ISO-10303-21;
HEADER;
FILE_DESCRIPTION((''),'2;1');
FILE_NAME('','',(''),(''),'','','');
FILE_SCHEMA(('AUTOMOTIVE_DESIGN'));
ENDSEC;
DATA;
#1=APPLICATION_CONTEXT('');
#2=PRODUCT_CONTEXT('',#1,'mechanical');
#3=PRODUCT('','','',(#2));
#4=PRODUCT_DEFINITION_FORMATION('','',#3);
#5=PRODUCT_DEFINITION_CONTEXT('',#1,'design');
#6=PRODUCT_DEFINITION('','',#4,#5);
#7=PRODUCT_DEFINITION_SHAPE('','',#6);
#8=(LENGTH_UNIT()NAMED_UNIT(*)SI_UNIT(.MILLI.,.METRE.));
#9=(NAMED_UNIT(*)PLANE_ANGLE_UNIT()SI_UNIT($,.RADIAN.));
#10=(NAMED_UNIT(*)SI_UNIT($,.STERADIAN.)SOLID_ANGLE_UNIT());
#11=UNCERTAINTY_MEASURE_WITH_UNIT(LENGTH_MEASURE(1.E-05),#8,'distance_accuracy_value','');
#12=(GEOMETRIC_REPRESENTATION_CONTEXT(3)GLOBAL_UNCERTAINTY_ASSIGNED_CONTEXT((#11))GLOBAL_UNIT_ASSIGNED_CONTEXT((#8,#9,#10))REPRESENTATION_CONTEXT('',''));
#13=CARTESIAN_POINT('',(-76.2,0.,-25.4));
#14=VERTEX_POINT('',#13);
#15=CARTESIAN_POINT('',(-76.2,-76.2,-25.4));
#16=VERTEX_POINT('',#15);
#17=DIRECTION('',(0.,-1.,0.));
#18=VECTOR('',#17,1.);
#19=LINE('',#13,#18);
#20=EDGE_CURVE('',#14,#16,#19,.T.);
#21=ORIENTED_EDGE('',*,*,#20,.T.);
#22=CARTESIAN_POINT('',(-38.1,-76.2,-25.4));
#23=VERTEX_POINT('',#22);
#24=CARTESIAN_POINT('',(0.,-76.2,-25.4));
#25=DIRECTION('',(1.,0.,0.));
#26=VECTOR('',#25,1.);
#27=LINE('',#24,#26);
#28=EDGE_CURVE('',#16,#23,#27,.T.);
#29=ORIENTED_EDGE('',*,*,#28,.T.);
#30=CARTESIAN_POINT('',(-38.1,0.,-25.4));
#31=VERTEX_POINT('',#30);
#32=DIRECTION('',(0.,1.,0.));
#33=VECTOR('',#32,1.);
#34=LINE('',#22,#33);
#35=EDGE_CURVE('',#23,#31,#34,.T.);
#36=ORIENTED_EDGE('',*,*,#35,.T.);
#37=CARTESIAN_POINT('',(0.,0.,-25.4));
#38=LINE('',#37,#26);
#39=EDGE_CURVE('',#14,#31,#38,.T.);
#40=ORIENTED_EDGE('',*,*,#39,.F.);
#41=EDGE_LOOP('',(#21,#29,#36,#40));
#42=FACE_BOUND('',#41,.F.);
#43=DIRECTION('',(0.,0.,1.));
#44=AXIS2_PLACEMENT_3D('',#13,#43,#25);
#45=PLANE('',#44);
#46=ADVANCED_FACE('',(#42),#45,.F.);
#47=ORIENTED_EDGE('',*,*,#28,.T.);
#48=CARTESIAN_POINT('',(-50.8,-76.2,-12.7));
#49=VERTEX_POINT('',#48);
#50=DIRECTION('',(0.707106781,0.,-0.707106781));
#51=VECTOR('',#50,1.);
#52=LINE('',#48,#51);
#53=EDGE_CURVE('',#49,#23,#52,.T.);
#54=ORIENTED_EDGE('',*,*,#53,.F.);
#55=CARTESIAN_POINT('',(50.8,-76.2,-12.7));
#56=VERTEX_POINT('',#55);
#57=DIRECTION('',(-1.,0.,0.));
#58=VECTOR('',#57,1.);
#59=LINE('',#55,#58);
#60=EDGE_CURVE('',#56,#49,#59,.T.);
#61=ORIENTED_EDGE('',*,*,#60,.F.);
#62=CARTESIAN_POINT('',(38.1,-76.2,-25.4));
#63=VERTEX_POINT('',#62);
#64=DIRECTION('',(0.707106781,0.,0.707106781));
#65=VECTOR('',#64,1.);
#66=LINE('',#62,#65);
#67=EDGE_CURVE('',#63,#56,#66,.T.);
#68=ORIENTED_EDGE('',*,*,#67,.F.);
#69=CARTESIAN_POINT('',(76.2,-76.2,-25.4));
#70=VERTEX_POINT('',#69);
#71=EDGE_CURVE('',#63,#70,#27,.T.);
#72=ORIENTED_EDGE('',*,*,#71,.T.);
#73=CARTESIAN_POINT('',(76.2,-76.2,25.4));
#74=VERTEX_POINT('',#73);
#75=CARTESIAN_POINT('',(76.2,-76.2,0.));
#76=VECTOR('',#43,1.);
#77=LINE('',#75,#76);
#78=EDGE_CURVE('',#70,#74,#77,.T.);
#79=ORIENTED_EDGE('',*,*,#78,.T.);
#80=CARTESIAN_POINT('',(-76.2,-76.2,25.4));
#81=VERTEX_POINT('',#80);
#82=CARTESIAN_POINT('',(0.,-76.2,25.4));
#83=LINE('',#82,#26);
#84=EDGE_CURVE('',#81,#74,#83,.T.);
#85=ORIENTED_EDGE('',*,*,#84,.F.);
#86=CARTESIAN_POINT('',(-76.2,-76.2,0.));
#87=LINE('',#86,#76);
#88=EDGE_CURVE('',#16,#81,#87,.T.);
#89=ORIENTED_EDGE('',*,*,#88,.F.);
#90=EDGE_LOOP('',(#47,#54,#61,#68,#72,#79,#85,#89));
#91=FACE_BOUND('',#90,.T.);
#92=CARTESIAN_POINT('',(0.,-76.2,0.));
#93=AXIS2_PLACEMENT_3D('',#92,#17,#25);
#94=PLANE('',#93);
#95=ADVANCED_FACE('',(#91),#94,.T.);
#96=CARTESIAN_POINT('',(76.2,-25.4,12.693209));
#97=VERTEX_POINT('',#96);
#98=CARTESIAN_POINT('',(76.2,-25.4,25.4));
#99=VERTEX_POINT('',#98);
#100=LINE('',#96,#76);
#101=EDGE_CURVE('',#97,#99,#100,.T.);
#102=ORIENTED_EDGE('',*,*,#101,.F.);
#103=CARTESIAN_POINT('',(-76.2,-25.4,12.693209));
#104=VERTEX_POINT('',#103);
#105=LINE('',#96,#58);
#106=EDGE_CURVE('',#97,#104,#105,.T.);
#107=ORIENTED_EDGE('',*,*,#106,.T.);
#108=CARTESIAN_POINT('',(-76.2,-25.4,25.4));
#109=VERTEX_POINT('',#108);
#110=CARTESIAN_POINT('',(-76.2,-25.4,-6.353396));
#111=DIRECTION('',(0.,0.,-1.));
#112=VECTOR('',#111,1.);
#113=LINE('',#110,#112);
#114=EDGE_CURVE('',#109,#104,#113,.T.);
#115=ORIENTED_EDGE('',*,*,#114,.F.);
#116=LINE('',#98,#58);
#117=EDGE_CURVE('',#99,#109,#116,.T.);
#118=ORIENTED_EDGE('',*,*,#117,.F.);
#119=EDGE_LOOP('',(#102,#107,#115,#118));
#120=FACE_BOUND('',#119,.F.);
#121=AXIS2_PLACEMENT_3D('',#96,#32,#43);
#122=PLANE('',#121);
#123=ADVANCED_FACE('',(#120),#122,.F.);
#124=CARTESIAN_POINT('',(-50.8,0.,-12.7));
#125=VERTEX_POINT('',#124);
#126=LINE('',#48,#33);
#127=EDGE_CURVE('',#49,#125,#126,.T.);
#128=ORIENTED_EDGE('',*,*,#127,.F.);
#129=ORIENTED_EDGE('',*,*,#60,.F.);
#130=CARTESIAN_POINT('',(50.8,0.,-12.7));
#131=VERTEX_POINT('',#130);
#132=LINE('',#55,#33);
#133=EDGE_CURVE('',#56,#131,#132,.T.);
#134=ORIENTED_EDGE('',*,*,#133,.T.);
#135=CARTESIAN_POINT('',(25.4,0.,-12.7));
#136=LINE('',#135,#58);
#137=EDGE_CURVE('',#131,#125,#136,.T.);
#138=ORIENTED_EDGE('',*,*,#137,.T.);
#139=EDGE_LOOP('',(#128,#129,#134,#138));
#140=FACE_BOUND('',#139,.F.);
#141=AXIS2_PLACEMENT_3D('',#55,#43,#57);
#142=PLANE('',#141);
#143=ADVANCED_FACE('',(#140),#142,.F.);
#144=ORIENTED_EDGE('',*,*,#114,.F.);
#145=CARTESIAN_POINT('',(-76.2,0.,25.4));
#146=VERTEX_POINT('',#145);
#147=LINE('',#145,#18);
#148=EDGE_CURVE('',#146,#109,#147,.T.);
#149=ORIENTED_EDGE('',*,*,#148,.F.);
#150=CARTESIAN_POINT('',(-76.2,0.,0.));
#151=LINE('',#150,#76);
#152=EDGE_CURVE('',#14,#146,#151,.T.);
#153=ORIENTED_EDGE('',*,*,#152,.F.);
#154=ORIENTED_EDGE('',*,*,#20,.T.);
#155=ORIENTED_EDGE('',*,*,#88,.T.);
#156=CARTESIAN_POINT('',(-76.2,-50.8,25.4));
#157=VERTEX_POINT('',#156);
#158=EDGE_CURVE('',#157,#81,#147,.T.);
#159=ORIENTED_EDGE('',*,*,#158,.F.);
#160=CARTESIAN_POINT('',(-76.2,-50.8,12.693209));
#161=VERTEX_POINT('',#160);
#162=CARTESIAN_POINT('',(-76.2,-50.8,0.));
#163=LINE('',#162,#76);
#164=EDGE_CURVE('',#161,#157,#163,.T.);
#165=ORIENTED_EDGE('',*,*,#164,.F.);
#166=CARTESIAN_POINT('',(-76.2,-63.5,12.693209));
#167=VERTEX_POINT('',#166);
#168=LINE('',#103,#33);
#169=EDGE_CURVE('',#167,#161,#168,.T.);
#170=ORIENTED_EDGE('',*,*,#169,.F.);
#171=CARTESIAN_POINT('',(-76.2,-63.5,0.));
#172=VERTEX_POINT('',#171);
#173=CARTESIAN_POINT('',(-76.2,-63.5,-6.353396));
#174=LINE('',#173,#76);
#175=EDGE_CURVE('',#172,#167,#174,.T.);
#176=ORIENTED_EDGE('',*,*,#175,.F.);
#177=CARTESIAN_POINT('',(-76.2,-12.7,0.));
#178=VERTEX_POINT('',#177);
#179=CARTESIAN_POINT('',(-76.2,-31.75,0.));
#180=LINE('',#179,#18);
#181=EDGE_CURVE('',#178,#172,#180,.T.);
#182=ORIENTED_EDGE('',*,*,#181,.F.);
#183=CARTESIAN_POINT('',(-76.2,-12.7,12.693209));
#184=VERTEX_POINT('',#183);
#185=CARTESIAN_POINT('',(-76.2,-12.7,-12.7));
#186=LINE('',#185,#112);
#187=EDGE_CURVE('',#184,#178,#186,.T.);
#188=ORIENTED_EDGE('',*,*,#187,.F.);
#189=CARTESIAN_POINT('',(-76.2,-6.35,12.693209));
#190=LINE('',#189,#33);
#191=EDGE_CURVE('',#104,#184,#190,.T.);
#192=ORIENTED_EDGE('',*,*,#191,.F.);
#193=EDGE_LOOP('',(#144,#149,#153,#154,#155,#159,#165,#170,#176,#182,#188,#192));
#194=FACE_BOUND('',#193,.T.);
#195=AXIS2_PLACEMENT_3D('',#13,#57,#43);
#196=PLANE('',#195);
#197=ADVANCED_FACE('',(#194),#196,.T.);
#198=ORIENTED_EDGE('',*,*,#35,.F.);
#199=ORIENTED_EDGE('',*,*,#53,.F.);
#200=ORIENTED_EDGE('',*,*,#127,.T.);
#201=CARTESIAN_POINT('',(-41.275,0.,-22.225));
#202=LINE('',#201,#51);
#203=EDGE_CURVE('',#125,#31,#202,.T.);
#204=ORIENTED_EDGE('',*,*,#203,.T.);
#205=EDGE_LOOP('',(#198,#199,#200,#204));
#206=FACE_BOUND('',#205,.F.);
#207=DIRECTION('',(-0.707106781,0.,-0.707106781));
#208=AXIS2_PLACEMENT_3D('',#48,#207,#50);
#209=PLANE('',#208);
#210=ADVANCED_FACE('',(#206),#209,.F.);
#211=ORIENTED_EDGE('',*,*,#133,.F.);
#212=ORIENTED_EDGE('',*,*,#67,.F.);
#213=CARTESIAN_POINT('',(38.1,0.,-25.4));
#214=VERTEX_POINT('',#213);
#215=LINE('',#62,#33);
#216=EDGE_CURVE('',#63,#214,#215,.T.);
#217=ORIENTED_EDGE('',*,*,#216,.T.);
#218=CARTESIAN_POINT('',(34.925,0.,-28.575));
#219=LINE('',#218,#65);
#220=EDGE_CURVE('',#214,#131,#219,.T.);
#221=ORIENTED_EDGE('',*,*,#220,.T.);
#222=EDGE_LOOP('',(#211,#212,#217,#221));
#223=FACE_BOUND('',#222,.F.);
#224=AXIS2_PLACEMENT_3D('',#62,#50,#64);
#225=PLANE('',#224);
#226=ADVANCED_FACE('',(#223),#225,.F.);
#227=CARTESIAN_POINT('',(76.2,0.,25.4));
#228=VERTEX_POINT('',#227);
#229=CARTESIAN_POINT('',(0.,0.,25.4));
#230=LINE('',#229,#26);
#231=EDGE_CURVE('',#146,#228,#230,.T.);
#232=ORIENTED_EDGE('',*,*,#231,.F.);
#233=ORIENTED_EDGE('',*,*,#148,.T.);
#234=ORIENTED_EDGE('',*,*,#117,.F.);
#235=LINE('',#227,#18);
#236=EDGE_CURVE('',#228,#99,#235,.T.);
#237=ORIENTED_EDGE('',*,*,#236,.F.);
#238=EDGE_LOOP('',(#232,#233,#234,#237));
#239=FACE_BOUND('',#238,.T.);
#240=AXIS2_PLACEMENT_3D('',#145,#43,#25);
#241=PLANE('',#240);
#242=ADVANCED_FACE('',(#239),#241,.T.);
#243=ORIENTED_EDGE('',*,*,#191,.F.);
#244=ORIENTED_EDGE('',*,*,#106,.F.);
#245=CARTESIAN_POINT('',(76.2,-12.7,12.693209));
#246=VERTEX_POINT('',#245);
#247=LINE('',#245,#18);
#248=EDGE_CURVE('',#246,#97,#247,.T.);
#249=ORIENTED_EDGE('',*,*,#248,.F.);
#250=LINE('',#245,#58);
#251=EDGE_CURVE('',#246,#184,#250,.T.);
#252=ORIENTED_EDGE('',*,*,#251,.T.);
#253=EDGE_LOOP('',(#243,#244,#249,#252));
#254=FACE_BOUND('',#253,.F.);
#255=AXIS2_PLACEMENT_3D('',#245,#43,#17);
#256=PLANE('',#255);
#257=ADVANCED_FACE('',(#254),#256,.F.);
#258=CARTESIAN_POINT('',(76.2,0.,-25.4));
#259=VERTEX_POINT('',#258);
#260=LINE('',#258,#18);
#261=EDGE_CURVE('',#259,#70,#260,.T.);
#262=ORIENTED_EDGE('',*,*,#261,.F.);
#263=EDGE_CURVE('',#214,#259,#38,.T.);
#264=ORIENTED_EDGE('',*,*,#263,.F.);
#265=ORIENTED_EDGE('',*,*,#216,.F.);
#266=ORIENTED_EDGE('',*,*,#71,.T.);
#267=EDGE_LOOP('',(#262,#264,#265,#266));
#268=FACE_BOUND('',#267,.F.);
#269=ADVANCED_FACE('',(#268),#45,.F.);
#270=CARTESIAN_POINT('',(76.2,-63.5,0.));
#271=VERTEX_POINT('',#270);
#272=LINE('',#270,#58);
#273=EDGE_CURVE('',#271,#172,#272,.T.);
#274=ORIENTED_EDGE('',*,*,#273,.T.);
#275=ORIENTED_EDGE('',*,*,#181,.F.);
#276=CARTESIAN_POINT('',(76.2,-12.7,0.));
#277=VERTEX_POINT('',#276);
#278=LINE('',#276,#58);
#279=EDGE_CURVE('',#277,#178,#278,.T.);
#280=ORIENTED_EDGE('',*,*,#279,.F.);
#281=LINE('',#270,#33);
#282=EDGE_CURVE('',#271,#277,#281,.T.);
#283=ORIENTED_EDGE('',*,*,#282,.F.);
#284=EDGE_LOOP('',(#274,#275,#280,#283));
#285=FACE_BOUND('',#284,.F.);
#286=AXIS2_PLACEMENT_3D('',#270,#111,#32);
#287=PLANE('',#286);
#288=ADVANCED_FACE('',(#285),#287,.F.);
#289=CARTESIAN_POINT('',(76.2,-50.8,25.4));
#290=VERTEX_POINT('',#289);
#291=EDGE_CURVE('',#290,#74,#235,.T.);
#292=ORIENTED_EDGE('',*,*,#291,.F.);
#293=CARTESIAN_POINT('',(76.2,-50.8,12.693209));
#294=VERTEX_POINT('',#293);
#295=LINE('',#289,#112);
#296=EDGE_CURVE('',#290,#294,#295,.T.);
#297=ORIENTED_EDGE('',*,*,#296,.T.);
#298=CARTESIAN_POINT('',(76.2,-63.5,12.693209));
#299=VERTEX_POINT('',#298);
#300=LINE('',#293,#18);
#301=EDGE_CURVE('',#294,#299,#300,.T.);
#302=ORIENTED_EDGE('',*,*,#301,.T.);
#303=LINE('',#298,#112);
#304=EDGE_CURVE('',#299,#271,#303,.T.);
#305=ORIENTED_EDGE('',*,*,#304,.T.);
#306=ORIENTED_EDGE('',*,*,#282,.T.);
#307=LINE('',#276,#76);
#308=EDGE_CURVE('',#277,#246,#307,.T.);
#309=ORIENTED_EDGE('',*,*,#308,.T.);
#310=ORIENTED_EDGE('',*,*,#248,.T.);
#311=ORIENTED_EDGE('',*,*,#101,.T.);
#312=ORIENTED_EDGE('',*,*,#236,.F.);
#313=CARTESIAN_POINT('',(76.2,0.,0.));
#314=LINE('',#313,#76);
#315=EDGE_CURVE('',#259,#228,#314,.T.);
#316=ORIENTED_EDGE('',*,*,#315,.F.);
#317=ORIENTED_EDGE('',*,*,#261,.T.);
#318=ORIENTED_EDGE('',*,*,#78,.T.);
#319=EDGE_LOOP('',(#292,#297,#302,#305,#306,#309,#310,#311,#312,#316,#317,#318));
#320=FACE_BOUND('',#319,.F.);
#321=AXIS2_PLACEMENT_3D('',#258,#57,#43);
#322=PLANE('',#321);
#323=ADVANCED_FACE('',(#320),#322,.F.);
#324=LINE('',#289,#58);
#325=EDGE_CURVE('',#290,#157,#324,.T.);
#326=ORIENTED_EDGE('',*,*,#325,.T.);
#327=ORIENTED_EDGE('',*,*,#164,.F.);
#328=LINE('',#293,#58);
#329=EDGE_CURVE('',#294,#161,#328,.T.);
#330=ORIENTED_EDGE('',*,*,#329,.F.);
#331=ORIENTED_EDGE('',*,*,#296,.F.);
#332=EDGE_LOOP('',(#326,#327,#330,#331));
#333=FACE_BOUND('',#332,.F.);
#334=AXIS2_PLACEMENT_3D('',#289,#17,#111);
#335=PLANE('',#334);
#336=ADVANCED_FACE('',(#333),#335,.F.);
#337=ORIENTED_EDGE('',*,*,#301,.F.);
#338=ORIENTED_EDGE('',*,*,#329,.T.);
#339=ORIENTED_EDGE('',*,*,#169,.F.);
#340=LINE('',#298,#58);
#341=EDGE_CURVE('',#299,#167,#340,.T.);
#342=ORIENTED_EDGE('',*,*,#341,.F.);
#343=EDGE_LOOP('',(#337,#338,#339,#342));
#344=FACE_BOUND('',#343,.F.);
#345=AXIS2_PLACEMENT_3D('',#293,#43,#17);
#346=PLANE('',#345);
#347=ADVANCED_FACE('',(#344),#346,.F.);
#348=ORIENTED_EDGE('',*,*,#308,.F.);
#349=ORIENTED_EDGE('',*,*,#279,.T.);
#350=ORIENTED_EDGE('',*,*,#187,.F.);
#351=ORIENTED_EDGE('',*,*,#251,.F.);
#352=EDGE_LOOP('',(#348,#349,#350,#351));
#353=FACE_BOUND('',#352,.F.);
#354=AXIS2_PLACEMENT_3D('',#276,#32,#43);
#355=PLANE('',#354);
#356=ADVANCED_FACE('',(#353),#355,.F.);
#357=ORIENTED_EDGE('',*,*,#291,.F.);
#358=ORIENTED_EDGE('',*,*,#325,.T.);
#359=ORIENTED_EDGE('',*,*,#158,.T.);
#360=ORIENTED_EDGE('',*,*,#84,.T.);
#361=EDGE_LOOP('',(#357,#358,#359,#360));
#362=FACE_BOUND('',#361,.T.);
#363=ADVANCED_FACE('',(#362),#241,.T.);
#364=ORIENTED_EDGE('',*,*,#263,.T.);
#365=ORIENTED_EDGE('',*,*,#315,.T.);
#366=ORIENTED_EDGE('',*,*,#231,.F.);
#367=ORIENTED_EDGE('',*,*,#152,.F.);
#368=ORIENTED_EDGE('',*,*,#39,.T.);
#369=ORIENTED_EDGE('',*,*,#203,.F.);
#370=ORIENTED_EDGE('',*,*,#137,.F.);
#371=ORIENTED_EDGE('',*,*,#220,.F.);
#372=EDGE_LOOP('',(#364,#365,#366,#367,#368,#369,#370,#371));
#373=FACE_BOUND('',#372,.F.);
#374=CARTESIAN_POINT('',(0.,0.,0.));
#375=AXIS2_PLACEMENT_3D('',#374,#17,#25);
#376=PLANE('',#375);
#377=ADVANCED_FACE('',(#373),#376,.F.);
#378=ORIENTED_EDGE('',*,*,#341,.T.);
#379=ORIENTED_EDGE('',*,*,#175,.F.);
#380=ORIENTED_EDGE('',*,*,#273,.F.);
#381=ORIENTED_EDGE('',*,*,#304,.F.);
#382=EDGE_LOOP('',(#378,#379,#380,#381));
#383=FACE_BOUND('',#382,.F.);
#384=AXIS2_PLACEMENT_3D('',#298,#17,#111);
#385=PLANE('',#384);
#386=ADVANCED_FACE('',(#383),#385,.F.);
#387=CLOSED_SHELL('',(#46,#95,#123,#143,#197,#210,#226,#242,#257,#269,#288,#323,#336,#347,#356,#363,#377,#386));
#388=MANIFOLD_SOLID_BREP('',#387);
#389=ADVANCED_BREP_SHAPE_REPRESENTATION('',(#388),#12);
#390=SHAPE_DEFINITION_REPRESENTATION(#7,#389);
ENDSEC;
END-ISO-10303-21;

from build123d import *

# Parameters (mm, degrees)
F0_W     = 152.4
F0_H     = 50.8
F1_DEPTH = 76.2
F3_DEPTH = 152.401
F5_DEPTH = 76.201


with BuildPart() as f1:
    # F0 (on Front) → F1 (new body)
    with BuildSketch(Plane.XZ):
        Rectangle(F0_W, F0_H)
    extrude(amount=F1_DEPTH)

    # F2 (on face) → F3 (cut, through all)
    with BuildSketch(Plane.YZ.offset(76.2)):
        Polygon((-25.4, 12.693209), (-25.4, 25.4), (-50.8, 25.4), (-50.8, 12.693209), (-63.5, 12.693209), (-63.5, 0), (-12.7, 0), (-12.7, 12.693209), align=None)
    extrude(amount=-F3_DEPTH, mode=Mode.SUBTRACT)

    # F4 (on face) → F5 (cut, through all)
    with BuildSketch(Plane.XZ.offset(76.2)):
        Polygon((50.8, -12.7), (0, -12.7), (-50.8, -12.7), (-38.1, -25.4), (38.1, -25.4), align=None)
    extrude(amount=-F5_DEPTH, mode=Mode.SUBTRACT)


solid = f1.part
